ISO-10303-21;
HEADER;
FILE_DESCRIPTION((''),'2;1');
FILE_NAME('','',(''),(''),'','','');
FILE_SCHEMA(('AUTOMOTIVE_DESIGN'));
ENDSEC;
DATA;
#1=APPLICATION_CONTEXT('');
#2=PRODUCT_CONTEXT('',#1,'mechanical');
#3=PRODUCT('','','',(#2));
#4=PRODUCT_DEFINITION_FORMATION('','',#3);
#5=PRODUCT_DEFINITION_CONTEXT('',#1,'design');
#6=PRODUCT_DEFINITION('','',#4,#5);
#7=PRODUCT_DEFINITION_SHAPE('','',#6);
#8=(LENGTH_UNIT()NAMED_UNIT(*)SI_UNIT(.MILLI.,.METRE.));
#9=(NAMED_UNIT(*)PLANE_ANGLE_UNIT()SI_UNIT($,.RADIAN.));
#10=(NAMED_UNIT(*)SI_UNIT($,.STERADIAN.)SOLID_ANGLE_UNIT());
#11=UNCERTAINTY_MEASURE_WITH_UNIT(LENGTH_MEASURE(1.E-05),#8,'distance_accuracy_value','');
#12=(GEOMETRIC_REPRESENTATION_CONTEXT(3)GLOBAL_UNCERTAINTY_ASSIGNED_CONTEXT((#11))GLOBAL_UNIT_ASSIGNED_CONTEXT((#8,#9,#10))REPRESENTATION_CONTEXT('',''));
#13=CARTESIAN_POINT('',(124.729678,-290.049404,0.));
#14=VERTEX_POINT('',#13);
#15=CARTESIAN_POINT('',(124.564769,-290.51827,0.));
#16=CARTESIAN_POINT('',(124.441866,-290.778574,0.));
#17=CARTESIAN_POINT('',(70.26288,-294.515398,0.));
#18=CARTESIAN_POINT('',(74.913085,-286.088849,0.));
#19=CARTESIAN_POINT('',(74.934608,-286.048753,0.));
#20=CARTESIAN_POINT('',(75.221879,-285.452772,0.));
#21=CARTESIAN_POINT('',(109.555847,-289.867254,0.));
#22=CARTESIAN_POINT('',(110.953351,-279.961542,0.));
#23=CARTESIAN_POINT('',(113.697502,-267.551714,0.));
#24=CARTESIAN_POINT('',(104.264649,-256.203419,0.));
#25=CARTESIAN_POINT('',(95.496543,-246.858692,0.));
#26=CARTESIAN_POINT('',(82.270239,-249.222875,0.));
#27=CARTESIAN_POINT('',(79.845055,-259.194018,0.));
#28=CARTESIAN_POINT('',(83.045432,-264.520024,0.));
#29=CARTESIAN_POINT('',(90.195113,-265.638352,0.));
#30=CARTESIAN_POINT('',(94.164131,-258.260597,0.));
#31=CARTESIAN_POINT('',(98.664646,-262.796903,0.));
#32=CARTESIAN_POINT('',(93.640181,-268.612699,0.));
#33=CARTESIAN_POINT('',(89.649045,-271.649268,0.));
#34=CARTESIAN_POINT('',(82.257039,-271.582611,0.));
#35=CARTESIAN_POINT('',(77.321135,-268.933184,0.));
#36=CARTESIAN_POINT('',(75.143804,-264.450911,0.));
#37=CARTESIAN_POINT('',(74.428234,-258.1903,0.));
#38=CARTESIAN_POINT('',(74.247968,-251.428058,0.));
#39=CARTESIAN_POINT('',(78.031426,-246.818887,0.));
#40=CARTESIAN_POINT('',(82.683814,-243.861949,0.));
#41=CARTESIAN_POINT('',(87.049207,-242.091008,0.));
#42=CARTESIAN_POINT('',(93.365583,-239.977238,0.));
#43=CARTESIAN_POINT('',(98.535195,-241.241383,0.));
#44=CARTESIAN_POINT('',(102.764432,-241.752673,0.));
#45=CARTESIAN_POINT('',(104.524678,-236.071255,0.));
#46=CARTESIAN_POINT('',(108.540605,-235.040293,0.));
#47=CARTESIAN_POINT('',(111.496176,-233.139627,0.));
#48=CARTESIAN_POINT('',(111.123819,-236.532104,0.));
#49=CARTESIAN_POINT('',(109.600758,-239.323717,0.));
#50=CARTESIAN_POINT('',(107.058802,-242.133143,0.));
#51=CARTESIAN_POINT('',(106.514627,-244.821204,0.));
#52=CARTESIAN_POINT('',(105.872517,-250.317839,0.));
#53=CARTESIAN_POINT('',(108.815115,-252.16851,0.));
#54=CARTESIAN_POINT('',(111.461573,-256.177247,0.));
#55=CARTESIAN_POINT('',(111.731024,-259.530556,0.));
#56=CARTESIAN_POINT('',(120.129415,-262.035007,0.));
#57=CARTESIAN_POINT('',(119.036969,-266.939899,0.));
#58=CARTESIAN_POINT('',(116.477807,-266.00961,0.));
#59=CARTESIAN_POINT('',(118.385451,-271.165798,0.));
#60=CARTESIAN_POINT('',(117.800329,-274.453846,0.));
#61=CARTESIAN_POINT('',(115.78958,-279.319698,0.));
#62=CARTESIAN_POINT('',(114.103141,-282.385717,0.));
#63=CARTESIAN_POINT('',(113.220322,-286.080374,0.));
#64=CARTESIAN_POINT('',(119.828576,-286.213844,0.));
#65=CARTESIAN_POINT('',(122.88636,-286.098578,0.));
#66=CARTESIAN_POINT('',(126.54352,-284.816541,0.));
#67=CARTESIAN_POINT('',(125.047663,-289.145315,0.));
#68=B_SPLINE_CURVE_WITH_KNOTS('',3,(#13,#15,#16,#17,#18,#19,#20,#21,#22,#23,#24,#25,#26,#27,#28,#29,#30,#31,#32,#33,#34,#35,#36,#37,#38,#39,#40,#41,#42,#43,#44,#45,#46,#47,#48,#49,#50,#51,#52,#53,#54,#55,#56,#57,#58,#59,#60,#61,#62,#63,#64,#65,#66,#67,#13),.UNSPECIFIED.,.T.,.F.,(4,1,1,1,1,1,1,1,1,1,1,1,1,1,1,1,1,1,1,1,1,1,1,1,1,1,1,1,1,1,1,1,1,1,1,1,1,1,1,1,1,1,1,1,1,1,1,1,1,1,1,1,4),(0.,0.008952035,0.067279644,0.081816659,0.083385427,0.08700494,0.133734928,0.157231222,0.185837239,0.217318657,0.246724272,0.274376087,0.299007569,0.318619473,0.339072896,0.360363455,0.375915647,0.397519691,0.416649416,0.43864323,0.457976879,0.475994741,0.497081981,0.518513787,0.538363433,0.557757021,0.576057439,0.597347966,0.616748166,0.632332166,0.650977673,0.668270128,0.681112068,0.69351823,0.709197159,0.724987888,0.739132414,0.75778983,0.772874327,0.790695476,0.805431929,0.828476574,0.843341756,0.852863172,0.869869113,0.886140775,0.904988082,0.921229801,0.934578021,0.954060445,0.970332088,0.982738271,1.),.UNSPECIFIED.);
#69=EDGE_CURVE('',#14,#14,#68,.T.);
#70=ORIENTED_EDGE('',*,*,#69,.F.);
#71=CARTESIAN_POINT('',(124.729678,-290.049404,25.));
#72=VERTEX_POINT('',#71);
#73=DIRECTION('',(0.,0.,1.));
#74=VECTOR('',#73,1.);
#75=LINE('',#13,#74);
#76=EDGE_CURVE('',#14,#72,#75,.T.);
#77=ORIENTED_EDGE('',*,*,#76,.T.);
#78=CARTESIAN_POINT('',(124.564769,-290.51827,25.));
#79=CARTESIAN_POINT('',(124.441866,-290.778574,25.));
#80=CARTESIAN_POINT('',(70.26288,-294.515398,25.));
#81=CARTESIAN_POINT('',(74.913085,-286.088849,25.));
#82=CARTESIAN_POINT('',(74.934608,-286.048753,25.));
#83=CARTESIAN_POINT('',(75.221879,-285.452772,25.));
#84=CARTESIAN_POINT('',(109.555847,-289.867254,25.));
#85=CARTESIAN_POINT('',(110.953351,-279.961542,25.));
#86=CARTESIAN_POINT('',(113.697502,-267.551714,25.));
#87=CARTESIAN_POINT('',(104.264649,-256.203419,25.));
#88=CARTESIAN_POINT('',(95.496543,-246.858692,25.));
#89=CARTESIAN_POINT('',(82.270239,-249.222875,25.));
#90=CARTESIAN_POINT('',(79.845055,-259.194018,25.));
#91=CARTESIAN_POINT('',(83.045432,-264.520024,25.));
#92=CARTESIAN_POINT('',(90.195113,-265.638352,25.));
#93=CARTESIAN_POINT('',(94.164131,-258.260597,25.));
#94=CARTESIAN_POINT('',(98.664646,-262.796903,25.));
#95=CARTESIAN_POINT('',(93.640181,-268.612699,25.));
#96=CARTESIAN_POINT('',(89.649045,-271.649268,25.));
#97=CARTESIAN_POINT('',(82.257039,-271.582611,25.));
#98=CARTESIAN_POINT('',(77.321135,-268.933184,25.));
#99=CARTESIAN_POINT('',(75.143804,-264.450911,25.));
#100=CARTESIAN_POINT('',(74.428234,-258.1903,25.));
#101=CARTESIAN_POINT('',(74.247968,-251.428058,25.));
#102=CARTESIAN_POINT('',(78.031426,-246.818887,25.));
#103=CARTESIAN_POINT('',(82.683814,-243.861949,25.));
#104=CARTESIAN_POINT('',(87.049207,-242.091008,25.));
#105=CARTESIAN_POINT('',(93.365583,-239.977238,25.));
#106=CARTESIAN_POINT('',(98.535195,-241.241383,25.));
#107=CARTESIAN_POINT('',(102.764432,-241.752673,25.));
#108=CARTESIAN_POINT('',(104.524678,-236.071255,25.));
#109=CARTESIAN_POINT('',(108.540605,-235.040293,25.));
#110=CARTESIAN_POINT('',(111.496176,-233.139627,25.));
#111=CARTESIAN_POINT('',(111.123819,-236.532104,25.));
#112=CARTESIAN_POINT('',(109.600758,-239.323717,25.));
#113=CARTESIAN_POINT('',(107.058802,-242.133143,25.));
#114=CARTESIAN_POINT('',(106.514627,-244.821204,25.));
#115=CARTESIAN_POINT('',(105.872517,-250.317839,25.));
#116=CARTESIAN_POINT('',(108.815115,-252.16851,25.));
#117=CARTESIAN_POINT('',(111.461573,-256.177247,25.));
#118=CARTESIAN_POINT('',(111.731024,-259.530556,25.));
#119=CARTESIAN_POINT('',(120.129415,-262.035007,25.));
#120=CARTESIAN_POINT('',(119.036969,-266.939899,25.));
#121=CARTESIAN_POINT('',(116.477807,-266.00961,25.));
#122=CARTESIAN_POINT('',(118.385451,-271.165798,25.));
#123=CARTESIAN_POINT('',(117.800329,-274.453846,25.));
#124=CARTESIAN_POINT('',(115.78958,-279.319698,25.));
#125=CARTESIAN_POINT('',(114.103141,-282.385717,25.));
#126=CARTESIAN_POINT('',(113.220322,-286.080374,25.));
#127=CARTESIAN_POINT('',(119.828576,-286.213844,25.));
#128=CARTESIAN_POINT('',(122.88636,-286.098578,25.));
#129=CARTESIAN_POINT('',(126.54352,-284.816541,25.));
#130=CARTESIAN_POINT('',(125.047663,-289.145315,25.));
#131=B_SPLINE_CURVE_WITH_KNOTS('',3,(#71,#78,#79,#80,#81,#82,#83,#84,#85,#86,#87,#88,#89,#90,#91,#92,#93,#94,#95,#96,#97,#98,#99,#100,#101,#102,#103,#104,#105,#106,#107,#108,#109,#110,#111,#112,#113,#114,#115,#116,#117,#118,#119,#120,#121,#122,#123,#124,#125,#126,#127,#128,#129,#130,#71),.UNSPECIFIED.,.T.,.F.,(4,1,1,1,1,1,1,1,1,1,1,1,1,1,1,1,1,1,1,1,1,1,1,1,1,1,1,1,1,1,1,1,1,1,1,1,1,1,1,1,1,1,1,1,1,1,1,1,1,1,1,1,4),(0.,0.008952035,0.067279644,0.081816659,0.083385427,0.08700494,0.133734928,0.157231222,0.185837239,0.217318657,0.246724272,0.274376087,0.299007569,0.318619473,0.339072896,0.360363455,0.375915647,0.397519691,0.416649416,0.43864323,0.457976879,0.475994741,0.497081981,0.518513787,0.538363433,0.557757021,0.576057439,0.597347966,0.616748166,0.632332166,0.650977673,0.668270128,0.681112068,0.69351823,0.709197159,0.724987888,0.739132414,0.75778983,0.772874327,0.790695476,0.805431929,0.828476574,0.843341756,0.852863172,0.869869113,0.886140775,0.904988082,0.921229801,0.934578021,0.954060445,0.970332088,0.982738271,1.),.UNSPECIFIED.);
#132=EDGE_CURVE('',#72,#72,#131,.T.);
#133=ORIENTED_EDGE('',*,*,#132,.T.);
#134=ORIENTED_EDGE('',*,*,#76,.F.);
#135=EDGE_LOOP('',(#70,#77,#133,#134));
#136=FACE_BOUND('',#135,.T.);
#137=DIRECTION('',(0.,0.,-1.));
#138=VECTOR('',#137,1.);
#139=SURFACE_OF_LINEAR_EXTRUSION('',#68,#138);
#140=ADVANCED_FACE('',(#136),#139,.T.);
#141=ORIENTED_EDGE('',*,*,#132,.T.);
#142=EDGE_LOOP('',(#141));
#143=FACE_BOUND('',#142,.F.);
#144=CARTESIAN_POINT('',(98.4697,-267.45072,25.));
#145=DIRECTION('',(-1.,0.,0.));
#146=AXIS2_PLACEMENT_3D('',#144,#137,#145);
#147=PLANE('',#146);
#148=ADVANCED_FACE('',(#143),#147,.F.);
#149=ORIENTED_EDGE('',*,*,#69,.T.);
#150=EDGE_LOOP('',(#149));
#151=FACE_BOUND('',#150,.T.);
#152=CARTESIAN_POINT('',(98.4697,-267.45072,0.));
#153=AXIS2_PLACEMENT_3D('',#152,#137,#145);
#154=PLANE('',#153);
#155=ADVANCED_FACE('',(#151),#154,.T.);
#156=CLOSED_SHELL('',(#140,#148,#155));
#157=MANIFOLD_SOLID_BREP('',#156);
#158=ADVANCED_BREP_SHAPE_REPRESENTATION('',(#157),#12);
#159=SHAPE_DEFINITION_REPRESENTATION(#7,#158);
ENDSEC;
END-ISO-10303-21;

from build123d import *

# Parameters (mm, degrees)
F1_DEPTH = 25


with BuildPart() as f1:
    # F0 (on Top) → F1 (new body)
    with BuildSketch(Plane.XY):
        with BuildLine():
            add(Edge.make_bspline(
                [(124.7296780348, -290.0494039059), (124.5647688947, -290.5182699497), (124.4418663686, -290.7785736141), (70.2628798086, -294.5153977616), (74.9130851271, -286.0888490457), (74.9346084778, -286.0487527351), (75.2218791235, -285.4527721132), (109.5558473659, -289.8672541228), (110.9533513844, -279.9615423753), (113.6975023207, -267.5517141297), (104.2646494772, -256.2034191203), (95.4965426072, -246.8586922468), (82.2702392491, -249.2228746263), (79.8450546145, -259.1940177351), (83.0454316976, -264.5200235765), (90.1951126839, -265.6383521145), (94.164131183, -258.2605972196), (98.6646461262, -262.7969031606), (93.6401810792, -268.6126985868), (89.6490446838, -271.6492677962), (82.2570386958, -271.582611331), (77.3211348723, -268.93318375), (75.1438036953, -264.4509106189), (74.4282338728, -258.1902997226), (74.2479683327, -251.4280575108), (78.0314259442, -246.8188867623), (82.6838135558, -243.8619486368), (87.0492072943, -242.091008223), (93.3655827372, -239.9772378732), (98.5351952931, -241.2413833191), (102.7644323914, -241.7526726598), (104.5246782036, -236.0712551992), (108.5406050487, -235.0402930703), (111.4961756703, -233.1396267498), (111.1238185649, -236.5321038243), (109.6007581395, -239.3237173523), (107.0588017446, -242.1331427108), (106.514627422, -244.8212042024), (105.8725165375, -250.3178385294), (108.8151146136, -252.1685096122), (111.4615733714, -256.1772474769), (111.7310239419, -259.5305556621), (120.129414711, -262.0350068096), (119.0369687993, -266.9398989656), (116.4778074201, -266.0096097898), (118.3854506888, -271.1657982725), (117.8003293017, -274.4538460003), (115.7895800643, -279.3196977742), (114.1031413001, -282.3857168197), (113.2203222307, -286.0803740694), (119.8285757725, -286.213843988), (122.8863599585, -286.0985783511), (126.5435203894, -284.816540966), (125.0476634704, -289.1453147016), (124.7296780348, -290.0494039059)],
                knots=[0, 0, 0, 0, 0.0089520352, 0.0672796438, 0.0818166591, 0.0833854273, 0.0870049402, 0.1337349279, 0.1572312225, 0.1858372392, 0.2173186573, 0.2467242718, 0.2743760871, 0.2990075688, 0.3186194728, 0.3390728957, 0.3603634549, 0.3759156469, 0.3975196908, 0.4166494162, 0.4386432301, 0.4579768793, 0.4759947411, 0.4970819805, 0.5185137873, 0.5383634326, 0.5577570207, 0.576057439, 0.5973479661, 0.6167481664, 0.6323321663, 0.650977673, 0.6682701284, 0.6811120679, 0.6935182301, 0.7091971587, 0.7249878885, 0.7391324138, 0.7577898301, 0.7728743275, 0.7906954763, 0.8054319286, 0.8284765737, 0.8433417563, 0.8528631722, 0.8698691128, 0.8861407746, 0.9049880824, 0.9212298011, 0.9345780211, 0.954060445, 0.9703320882, 0.9827382714, 1, 1, 1, 1], degree=3))
        make_face()
    extrude(amount=F1_DEPTH)


solid = f1.part
